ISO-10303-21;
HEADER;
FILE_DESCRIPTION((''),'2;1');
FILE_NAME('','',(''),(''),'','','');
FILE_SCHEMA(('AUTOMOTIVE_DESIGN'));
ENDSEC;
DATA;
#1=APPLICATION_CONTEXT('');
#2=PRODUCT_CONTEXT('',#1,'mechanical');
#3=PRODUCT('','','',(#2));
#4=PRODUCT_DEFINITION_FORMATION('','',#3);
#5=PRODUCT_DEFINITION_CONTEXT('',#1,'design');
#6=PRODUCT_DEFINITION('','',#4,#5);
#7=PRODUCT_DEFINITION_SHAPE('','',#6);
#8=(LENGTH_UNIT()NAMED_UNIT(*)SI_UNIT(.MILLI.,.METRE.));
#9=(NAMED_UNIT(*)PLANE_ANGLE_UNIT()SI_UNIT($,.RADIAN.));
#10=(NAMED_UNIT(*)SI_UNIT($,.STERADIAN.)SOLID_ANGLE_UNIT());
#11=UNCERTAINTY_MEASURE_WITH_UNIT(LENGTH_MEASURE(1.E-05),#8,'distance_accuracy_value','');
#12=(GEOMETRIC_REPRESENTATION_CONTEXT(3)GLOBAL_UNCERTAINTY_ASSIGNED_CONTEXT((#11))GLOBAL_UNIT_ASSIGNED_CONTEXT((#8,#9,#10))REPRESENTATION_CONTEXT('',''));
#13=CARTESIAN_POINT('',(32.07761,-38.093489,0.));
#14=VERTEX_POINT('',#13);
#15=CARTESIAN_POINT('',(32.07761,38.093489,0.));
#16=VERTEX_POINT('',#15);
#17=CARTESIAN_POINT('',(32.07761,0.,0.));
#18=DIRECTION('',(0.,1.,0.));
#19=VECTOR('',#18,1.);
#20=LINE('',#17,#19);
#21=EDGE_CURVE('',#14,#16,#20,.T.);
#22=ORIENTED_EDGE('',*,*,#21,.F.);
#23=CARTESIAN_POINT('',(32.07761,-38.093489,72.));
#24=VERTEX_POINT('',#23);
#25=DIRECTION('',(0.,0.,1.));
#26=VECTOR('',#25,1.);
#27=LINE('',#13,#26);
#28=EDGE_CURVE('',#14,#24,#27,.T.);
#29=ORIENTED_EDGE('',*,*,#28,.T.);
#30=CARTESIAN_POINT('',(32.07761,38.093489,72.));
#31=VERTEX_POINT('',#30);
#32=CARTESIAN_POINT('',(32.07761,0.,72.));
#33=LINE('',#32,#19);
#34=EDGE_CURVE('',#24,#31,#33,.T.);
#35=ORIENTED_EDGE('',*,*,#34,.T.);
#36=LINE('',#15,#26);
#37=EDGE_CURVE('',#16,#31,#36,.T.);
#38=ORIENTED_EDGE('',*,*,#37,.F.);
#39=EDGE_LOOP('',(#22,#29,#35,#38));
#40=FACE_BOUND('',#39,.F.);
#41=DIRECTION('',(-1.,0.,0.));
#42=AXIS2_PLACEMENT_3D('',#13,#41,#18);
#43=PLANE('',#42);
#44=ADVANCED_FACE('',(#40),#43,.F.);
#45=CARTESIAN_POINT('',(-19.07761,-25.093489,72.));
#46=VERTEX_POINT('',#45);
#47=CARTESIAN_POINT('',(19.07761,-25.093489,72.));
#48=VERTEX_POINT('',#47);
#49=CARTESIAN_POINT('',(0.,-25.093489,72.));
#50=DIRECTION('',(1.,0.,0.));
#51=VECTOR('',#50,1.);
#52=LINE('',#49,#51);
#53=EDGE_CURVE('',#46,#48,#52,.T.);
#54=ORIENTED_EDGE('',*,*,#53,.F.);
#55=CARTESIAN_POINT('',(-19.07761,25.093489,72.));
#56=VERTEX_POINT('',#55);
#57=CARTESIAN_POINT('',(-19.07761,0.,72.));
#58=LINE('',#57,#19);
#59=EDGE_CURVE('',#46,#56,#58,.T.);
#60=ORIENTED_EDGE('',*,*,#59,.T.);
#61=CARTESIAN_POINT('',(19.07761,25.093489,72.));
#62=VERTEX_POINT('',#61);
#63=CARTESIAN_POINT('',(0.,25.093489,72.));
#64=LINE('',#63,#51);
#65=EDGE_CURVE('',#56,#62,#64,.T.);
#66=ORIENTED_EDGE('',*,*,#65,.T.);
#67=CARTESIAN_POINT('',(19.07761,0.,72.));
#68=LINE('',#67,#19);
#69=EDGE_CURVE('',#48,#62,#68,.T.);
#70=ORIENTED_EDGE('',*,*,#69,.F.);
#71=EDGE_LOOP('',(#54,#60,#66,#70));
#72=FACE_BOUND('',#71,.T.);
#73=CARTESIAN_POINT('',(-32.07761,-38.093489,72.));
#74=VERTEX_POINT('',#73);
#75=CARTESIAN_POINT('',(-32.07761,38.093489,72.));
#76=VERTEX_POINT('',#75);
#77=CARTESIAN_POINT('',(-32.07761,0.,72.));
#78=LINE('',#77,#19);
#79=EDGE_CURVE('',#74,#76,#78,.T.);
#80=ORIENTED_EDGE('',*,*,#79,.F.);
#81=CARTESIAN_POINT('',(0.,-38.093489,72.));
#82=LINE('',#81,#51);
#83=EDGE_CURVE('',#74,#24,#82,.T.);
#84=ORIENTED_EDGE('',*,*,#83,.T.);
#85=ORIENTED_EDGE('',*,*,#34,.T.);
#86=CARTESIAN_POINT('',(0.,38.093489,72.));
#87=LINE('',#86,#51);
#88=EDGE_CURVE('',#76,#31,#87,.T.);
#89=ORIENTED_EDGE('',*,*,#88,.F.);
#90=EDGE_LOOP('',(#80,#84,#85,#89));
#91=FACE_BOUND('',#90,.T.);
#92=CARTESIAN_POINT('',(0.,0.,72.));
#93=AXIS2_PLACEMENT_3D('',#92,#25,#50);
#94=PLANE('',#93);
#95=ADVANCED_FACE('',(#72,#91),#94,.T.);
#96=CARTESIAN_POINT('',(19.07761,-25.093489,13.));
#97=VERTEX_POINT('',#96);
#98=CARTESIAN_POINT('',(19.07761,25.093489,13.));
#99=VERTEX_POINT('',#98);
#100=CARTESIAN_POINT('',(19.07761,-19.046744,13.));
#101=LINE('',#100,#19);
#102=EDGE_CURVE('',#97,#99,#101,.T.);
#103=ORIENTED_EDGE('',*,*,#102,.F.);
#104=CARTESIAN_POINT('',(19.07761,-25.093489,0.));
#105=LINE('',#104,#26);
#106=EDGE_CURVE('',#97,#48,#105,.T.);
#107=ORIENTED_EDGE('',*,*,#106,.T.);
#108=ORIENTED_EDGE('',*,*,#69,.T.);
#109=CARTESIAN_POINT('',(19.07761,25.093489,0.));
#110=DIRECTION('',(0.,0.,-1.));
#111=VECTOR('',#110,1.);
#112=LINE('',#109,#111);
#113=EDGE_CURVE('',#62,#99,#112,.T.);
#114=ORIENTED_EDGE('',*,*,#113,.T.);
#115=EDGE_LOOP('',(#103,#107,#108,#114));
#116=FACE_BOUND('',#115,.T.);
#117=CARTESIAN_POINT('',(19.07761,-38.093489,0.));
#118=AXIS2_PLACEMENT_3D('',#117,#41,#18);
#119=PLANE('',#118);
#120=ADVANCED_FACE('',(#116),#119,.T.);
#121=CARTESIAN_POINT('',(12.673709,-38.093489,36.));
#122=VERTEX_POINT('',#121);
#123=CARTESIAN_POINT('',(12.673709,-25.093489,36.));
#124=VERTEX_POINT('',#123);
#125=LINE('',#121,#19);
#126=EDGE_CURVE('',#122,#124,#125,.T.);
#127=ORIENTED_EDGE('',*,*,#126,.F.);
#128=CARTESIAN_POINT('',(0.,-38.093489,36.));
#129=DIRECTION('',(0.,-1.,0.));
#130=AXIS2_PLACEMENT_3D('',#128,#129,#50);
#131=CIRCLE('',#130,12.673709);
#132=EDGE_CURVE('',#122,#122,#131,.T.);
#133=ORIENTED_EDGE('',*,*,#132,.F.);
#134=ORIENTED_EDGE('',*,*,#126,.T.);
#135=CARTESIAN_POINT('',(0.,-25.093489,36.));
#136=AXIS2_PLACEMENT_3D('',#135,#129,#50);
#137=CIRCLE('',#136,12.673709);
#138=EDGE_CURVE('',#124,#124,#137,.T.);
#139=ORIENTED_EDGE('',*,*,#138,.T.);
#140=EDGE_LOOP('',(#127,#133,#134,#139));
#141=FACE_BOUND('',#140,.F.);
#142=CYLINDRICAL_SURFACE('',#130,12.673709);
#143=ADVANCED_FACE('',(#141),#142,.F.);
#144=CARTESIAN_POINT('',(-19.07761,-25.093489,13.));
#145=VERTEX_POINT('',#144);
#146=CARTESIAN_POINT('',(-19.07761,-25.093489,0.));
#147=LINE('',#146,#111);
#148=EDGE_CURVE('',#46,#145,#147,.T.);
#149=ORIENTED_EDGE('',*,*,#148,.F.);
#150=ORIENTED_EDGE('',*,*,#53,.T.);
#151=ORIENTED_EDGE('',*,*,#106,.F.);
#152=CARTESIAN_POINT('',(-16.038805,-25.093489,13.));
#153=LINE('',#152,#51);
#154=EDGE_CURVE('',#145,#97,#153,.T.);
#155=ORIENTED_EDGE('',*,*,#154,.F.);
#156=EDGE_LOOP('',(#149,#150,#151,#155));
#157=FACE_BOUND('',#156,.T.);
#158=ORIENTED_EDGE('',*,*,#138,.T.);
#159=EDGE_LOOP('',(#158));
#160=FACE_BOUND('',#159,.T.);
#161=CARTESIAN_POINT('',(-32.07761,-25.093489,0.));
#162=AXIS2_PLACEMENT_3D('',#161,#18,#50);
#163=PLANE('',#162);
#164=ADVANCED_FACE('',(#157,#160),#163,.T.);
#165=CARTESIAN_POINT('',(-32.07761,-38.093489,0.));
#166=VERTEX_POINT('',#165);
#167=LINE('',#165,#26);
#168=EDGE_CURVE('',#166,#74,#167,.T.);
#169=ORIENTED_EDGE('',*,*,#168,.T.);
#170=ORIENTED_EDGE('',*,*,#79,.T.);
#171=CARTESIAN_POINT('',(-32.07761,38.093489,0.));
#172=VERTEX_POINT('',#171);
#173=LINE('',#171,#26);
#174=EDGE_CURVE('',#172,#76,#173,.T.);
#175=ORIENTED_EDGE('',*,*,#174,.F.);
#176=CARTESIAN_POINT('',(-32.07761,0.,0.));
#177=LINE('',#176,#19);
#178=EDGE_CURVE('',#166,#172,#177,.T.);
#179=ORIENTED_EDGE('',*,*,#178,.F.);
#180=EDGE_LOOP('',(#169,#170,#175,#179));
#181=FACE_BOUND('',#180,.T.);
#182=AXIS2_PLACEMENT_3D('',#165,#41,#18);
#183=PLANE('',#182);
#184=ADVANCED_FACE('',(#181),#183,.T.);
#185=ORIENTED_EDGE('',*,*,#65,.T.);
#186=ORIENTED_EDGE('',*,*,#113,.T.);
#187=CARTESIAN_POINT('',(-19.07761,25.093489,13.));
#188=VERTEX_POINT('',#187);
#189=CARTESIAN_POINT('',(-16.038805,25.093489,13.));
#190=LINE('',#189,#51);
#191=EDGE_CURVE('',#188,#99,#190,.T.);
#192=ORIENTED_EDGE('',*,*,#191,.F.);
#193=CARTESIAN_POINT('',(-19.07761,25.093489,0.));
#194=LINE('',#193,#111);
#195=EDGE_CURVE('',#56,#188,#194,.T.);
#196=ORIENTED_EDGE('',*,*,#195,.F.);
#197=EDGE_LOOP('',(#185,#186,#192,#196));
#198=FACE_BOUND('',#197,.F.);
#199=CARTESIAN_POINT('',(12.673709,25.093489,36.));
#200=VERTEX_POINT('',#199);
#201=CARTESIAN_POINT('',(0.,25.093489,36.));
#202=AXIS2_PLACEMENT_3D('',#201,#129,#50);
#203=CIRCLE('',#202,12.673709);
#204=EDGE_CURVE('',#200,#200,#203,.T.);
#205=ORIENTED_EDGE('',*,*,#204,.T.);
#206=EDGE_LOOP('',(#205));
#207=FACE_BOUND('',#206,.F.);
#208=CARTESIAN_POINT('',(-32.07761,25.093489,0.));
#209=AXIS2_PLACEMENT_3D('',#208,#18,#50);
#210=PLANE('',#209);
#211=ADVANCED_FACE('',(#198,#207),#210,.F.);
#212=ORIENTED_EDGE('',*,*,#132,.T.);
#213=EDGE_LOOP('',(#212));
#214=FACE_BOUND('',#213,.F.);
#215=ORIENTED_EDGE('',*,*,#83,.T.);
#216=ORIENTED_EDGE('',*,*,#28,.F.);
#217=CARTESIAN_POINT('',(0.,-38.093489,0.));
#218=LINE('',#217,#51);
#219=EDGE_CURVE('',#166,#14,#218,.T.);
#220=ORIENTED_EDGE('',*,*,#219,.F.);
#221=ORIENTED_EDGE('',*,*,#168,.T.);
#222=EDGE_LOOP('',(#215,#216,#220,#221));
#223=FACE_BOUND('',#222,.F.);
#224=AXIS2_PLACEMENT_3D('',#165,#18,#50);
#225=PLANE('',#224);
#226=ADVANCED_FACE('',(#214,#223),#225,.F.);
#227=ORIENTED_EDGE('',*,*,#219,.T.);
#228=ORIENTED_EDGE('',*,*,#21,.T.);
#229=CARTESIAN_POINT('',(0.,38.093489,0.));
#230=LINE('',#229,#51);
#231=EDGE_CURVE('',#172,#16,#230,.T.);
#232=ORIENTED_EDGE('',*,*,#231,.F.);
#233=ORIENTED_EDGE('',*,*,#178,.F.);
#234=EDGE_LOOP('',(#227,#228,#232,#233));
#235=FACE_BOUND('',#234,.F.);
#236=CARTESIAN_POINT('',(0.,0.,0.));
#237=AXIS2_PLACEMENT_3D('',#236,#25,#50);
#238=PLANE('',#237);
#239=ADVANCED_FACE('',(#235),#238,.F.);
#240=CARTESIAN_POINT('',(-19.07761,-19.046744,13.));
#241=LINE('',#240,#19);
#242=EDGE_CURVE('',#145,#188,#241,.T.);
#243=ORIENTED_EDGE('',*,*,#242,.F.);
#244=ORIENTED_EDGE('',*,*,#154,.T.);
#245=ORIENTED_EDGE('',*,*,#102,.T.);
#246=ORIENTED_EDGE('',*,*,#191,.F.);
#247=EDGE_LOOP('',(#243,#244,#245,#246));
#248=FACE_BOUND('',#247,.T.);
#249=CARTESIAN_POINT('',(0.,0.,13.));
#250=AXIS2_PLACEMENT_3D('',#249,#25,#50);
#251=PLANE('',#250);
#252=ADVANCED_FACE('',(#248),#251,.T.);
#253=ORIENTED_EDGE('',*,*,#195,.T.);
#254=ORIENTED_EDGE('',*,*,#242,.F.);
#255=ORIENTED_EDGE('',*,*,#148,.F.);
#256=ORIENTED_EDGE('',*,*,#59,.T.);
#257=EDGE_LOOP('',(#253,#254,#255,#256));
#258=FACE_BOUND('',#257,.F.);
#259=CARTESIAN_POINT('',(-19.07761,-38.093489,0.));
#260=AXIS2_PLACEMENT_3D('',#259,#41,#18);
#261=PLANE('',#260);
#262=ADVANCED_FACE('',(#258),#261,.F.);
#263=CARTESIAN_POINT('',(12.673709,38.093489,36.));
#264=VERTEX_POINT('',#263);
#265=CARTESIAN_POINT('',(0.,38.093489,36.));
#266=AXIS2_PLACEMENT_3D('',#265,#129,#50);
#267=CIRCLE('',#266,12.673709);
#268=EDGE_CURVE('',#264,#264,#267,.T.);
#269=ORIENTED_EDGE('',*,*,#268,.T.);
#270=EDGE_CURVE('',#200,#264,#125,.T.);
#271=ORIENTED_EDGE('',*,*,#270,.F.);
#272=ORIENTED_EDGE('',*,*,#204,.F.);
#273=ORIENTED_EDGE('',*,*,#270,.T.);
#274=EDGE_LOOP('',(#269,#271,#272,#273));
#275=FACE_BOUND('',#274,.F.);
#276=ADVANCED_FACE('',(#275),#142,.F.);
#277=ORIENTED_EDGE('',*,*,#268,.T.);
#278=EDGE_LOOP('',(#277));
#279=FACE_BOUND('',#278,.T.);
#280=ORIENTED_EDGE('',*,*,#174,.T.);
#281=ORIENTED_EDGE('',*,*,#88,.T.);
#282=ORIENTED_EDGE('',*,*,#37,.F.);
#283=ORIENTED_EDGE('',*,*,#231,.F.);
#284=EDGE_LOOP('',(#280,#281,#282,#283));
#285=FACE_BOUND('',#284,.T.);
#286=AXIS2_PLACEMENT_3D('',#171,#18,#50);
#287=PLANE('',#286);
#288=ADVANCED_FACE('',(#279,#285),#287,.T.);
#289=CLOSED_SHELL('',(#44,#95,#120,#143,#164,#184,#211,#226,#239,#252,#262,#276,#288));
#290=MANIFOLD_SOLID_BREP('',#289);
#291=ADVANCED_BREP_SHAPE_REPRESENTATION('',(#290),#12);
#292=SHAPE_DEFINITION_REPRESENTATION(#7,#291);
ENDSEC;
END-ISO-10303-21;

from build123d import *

# Parameters (mm, degrees)
F0_W     = 64.15522
F0_H     = 76.186978
F1_DEPTH = 72
F2_T     = -13
F3_R     = 12.673709
F4_DEPTH = 108.5


with BuildPart() as f1:
    # F0 (on Top) → F1 (new body)
    with BuildSketch(Plane.XY):
        Rectangle(F0_W, F0_H)
    extrude(amount=F1_DEPTH)

    # F2
    f2_openings = [f1.faces().sort_by_distance(p)[0] for p in [
        (0, 0, 72),
    ]]
    offset(amount=F2_T, openings=f2_openings)

    # F3 (on face) → F4 (cut)
    with BuildSketch(Plane.XZ.offset(38.093489)):
        with Locations((0, 36)):
            Circle(F3_R)
    extrude(amount=-F4_DEPTH, mode=Mode.SUBTRACT)


solid = f1.part
